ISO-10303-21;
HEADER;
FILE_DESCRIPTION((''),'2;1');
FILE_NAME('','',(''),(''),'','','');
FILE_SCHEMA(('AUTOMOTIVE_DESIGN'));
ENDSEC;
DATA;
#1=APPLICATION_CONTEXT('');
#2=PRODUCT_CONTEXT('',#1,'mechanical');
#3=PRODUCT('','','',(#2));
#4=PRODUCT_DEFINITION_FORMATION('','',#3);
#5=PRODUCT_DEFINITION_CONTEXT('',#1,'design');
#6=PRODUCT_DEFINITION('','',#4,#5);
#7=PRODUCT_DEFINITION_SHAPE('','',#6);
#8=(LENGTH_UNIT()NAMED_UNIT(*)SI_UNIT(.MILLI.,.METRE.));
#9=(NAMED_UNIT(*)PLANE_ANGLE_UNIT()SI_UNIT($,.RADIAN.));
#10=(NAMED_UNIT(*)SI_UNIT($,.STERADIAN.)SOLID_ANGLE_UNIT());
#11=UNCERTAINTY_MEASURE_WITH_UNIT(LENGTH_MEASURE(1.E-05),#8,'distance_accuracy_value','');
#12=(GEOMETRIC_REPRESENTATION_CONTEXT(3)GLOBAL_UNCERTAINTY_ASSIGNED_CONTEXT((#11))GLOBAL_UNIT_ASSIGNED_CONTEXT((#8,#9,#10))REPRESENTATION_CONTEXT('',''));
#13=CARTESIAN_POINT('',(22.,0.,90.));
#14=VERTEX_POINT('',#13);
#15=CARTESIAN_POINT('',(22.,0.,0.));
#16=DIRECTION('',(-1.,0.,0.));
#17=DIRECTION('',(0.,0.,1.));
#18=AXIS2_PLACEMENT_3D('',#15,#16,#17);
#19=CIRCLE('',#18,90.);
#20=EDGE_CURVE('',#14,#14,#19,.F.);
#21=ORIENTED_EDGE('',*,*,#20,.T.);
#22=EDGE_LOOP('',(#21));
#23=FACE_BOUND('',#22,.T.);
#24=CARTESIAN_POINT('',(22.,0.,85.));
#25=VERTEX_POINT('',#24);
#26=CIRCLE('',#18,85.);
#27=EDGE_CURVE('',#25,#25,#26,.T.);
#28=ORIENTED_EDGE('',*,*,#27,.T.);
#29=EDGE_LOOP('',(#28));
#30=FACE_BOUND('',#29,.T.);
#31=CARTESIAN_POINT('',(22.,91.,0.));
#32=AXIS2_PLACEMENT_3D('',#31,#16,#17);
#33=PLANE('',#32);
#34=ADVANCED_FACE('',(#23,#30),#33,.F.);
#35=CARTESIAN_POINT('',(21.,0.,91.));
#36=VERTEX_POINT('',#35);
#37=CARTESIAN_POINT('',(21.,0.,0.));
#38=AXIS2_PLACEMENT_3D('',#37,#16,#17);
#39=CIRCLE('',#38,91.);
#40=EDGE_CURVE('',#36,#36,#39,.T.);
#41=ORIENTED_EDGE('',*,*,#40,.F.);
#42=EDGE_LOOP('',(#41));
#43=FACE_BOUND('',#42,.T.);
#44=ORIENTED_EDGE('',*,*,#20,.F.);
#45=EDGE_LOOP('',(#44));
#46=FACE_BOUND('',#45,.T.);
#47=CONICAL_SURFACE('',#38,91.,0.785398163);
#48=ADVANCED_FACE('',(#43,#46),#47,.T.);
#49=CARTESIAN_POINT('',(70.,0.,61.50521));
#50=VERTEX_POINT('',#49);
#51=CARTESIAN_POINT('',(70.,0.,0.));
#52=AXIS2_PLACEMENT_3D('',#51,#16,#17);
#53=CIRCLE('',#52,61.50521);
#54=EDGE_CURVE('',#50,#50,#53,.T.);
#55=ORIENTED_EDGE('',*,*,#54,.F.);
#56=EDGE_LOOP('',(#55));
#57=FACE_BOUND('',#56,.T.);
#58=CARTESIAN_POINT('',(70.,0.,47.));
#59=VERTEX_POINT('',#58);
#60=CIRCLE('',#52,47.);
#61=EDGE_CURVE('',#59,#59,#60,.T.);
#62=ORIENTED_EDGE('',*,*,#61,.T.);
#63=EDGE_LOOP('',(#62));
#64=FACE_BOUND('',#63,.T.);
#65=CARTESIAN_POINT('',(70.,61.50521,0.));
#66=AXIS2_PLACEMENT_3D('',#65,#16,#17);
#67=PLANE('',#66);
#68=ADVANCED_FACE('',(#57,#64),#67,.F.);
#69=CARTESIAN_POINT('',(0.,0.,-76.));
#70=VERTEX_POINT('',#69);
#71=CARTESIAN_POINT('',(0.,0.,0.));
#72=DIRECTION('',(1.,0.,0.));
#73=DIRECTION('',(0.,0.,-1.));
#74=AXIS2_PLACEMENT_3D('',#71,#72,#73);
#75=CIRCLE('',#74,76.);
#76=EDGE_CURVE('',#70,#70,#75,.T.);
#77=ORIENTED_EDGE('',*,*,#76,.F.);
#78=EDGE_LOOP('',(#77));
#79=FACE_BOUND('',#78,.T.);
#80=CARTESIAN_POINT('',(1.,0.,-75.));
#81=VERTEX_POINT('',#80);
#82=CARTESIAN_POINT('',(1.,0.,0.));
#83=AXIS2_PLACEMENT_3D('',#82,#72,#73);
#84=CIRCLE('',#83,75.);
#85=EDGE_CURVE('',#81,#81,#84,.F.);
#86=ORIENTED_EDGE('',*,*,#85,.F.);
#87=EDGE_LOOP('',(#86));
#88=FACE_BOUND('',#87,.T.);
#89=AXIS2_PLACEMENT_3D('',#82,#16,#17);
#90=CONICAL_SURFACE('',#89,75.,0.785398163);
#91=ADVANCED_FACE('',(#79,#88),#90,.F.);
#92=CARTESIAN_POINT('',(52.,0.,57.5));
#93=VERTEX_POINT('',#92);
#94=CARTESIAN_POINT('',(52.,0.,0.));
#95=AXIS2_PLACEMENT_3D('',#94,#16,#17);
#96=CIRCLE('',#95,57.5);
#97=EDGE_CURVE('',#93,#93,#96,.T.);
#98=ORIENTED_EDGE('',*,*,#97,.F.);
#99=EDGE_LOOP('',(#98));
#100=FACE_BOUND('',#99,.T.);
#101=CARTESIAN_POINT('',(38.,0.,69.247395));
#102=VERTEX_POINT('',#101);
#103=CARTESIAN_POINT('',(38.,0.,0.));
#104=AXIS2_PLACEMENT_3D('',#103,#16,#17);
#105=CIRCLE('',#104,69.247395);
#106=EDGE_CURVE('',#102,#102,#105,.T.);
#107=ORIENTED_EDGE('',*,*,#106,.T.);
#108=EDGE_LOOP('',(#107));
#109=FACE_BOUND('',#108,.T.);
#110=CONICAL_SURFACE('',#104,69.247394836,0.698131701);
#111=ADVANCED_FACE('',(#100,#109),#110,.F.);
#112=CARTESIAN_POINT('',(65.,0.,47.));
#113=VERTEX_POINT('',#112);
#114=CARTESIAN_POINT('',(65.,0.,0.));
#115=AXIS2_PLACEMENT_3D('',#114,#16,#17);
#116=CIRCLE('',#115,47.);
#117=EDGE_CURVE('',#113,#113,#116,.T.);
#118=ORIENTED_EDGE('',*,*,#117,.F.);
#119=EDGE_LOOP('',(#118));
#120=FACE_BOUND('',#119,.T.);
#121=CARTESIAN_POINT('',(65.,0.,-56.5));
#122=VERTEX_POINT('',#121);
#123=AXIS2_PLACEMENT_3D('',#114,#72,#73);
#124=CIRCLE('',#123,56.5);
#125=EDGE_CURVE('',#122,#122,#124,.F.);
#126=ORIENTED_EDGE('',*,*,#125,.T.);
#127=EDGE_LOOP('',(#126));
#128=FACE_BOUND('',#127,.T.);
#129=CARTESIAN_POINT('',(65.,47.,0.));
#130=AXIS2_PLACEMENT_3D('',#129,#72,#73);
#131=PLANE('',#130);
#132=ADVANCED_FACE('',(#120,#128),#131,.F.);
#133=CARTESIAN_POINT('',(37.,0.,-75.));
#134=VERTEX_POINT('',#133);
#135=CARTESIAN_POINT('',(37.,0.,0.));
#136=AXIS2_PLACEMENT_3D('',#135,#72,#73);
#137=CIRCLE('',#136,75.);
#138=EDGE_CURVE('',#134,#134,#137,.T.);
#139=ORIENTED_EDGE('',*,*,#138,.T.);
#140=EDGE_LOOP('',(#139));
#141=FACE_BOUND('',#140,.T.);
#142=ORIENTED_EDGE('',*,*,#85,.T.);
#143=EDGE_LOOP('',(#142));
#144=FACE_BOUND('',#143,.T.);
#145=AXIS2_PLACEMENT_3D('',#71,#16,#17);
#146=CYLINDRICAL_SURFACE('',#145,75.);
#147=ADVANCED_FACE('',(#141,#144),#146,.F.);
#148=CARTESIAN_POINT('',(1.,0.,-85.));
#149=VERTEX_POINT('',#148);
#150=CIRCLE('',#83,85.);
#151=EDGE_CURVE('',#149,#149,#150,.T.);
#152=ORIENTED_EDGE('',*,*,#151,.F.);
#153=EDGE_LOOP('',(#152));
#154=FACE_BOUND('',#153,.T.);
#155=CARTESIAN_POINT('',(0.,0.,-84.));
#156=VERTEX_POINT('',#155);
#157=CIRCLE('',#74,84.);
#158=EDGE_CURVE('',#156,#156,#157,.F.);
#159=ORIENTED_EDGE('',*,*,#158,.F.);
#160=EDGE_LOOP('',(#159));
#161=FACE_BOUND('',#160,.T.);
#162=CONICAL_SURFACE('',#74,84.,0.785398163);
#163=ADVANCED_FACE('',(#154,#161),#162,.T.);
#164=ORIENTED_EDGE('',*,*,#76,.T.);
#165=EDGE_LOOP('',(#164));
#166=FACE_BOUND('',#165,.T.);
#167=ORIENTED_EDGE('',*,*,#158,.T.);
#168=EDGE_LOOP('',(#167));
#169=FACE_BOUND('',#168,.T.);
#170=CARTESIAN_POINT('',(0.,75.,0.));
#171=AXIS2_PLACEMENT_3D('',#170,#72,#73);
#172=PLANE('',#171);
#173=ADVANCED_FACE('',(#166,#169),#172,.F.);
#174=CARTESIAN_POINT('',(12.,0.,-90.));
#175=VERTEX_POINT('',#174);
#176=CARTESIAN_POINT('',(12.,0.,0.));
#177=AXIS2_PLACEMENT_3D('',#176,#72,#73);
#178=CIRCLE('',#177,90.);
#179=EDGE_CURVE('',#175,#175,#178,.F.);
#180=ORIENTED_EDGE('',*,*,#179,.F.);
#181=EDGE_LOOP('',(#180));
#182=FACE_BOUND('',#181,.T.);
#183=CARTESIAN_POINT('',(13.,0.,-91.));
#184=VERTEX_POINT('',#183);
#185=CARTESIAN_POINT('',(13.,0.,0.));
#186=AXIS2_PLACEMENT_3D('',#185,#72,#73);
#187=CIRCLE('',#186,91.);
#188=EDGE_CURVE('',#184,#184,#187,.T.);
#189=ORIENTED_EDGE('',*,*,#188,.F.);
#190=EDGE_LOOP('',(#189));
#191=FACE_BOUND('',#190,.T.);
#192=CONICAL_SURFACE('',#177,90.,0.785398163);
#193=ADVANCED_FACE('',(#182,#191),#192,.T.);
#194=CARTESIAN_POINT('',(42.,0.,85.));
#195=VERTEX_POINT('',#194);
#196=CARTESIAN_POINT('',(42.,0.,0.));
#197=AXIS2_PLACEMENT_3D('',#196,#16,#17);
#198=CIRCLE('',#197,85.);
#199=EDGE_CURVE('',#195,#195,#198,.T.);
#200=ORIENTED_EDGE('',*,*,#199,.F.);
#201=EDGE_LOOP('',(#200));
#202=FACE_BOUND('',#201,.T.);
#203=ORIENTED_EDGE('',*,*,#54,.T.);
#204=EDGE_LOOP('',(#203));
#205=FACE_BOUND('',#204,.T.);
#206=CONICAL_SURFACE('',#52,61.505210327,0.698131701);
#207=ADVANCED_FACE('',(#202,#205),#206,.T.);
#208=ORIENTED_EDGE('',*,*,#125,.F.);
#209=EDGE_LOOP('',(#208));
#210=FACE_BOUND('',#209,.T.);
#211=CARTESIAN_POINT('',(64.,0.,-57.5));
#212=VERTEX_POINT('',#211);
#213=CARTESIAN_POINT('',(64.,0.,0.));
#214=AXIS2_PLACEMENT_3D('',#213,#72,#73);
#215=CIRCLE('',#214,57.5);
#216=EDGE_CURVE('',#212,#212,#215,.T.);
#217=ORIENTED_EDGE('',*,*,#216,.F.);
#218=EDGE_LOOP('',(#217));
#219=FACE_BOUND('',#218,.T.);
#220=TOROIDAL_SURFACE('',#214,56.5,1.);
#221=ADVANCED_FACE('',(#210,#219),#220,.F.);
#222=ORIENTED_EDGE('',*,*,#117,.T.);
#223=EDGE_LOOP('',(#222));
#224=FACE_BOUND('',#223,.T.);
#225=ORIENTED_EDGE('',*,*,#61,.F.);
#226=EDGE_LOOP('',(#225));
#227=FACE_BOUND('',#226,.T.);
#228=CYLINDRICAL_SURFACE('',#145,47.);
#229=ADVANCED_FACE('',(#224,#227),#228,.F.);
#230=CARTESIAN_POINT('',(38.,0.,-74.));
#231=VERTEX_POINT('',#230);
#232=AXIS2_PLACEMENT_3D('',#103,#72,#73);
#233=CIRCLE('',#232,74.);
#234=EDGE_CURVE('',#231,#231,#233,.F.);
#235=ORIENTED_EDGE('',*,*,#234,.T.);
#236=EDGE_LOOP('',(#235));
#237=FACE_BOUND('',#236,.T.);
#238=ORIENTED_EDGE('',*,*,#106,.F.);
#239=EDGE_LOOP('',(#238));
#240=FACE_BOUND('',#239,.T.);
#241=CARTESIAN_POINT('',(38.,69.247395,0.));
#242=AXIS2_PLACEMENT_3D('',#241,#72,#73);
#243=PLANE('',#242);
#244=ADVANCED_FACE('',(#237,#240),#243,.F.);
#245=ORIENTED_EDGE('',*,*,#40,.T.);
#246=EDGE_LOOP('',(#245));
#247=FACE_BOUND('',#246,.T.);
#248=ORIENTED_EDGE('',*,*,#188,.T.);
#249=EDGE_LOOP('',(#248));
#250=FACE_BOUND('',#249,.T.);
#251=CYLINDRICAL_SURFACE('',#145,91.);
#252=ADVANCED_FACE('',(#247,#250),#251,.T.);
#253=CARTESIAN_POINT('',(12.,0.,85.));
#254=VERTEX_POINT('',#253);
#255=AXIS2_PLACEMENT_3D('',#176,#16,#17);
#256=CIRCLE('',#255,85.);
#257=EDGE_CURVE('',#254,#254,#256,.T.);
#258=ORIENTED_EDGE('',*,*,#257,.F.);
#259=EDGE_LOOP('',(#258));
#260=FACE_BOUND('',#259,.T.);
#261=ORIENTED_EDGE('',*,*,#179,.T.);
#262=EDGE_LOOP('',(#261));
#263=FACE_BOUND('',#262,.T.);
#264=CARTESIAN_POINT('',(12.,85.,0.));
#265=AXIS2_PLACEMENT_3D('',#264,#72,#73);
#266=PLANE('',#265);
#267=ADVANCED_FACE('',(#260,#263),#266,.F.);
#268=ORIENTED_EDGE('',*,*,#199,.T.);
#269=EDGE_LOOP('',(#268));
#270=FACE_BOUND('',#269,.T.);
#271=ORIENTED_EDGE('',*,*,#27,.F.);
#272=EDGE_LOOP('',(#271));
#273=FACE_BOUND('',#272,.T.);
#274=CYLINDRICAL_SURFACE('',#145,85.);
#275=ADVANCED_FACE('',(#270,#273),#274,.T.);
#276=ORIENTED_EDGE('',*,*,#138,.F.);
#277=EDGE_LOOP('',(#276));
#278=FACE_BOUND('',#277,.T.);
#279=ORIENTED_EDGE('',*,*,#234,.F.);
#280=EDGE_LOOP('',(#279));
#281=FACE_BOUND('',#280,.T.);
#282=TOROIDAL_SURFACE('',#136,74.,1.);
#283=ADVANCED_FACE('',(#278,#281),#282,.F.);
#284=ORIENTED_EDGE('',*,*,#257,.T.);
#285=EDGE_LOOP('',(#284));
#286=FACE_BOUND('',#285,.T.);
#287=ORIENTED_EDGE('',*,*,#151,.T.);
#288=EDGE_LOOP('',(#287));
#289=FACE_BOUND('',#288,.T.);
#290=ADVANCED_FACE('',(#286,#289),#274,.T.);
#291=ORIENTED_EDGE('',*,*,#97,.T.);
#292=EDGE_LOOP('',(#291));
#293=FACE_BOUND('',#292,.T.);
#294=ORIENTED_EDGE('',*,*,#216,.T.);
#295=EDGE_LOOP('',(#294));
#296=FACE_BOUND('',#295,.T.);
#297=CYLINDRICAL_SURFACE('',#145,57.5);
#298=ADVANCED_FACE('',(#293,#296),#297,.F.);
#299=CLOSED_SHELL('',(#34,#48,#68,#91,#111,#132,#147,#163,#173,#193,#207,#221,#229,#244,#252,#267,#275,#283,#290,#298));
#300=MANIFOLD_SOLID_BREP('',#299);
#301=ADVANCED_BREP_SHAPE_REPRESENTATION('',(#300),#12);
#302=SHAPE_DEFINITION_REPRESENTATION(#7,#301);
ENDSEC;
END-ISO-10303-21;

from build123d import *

# Parameters (mm, degrees)
ZAOKR_GLENIE1_R  = 1
ZAOKR_GLENIE2_R  = 1
SFAZOWANIE1_SIZE = 1


with BuildPart() as part:
    # Szkic1 → Obrót1 (revolve)
    with BuildSketch(Plane.XY, mode=Mode.PRIVATE) as obr_t1_sk:
        Polygon((70, 47), (65, 47), (65, 57.5), (52, 57.5), (38, 69.247394836), (38, 75), (0, 75), (0, 85), (12, 85), (12, 91), (22, 91), (22, 85), (42, 85), (70, 61.505210327), align=None)
    revolve(obr_t1_sk.sketch.rotate(Axis((0, 0, 0), (1, 0, 0)), 90), axis=Axis((0, 0, 0), (1, 0, 0)))  # turned: the seam where the file's is

    # Zaokrąglenie1
    zaokr_glenie1_edges = [part.edges().sort_by_distance(p)[0] for p in [
        (65, 0, -57.5),
    ]]
    fillet(zaokr_glenie1_edges, radius=ZAOKR_GLENIE1_R)

    # Zaokrąglenie2
    zaokr_glenie2_edges = [part.edges().sort_by_distance(p)[0] for p in [
        (38, 0, -75),
    ]]
    fillet(zaokr_glenie2_edges, radius=ZAOKR_GLENIE2_R)

    # Sfazowanie1
    sfazowanie1_edges = [part.edges().sort_by_distance(p)[0] for p in [
        (22, 0, -91),
        (12, 0, -91),
        (0, 0, -85),
        (0, 0, -75),
    ]]
    chamfer(sfazowanie1_edges, length=SFAZOWANIE1_SIZE)


solid = part.part
